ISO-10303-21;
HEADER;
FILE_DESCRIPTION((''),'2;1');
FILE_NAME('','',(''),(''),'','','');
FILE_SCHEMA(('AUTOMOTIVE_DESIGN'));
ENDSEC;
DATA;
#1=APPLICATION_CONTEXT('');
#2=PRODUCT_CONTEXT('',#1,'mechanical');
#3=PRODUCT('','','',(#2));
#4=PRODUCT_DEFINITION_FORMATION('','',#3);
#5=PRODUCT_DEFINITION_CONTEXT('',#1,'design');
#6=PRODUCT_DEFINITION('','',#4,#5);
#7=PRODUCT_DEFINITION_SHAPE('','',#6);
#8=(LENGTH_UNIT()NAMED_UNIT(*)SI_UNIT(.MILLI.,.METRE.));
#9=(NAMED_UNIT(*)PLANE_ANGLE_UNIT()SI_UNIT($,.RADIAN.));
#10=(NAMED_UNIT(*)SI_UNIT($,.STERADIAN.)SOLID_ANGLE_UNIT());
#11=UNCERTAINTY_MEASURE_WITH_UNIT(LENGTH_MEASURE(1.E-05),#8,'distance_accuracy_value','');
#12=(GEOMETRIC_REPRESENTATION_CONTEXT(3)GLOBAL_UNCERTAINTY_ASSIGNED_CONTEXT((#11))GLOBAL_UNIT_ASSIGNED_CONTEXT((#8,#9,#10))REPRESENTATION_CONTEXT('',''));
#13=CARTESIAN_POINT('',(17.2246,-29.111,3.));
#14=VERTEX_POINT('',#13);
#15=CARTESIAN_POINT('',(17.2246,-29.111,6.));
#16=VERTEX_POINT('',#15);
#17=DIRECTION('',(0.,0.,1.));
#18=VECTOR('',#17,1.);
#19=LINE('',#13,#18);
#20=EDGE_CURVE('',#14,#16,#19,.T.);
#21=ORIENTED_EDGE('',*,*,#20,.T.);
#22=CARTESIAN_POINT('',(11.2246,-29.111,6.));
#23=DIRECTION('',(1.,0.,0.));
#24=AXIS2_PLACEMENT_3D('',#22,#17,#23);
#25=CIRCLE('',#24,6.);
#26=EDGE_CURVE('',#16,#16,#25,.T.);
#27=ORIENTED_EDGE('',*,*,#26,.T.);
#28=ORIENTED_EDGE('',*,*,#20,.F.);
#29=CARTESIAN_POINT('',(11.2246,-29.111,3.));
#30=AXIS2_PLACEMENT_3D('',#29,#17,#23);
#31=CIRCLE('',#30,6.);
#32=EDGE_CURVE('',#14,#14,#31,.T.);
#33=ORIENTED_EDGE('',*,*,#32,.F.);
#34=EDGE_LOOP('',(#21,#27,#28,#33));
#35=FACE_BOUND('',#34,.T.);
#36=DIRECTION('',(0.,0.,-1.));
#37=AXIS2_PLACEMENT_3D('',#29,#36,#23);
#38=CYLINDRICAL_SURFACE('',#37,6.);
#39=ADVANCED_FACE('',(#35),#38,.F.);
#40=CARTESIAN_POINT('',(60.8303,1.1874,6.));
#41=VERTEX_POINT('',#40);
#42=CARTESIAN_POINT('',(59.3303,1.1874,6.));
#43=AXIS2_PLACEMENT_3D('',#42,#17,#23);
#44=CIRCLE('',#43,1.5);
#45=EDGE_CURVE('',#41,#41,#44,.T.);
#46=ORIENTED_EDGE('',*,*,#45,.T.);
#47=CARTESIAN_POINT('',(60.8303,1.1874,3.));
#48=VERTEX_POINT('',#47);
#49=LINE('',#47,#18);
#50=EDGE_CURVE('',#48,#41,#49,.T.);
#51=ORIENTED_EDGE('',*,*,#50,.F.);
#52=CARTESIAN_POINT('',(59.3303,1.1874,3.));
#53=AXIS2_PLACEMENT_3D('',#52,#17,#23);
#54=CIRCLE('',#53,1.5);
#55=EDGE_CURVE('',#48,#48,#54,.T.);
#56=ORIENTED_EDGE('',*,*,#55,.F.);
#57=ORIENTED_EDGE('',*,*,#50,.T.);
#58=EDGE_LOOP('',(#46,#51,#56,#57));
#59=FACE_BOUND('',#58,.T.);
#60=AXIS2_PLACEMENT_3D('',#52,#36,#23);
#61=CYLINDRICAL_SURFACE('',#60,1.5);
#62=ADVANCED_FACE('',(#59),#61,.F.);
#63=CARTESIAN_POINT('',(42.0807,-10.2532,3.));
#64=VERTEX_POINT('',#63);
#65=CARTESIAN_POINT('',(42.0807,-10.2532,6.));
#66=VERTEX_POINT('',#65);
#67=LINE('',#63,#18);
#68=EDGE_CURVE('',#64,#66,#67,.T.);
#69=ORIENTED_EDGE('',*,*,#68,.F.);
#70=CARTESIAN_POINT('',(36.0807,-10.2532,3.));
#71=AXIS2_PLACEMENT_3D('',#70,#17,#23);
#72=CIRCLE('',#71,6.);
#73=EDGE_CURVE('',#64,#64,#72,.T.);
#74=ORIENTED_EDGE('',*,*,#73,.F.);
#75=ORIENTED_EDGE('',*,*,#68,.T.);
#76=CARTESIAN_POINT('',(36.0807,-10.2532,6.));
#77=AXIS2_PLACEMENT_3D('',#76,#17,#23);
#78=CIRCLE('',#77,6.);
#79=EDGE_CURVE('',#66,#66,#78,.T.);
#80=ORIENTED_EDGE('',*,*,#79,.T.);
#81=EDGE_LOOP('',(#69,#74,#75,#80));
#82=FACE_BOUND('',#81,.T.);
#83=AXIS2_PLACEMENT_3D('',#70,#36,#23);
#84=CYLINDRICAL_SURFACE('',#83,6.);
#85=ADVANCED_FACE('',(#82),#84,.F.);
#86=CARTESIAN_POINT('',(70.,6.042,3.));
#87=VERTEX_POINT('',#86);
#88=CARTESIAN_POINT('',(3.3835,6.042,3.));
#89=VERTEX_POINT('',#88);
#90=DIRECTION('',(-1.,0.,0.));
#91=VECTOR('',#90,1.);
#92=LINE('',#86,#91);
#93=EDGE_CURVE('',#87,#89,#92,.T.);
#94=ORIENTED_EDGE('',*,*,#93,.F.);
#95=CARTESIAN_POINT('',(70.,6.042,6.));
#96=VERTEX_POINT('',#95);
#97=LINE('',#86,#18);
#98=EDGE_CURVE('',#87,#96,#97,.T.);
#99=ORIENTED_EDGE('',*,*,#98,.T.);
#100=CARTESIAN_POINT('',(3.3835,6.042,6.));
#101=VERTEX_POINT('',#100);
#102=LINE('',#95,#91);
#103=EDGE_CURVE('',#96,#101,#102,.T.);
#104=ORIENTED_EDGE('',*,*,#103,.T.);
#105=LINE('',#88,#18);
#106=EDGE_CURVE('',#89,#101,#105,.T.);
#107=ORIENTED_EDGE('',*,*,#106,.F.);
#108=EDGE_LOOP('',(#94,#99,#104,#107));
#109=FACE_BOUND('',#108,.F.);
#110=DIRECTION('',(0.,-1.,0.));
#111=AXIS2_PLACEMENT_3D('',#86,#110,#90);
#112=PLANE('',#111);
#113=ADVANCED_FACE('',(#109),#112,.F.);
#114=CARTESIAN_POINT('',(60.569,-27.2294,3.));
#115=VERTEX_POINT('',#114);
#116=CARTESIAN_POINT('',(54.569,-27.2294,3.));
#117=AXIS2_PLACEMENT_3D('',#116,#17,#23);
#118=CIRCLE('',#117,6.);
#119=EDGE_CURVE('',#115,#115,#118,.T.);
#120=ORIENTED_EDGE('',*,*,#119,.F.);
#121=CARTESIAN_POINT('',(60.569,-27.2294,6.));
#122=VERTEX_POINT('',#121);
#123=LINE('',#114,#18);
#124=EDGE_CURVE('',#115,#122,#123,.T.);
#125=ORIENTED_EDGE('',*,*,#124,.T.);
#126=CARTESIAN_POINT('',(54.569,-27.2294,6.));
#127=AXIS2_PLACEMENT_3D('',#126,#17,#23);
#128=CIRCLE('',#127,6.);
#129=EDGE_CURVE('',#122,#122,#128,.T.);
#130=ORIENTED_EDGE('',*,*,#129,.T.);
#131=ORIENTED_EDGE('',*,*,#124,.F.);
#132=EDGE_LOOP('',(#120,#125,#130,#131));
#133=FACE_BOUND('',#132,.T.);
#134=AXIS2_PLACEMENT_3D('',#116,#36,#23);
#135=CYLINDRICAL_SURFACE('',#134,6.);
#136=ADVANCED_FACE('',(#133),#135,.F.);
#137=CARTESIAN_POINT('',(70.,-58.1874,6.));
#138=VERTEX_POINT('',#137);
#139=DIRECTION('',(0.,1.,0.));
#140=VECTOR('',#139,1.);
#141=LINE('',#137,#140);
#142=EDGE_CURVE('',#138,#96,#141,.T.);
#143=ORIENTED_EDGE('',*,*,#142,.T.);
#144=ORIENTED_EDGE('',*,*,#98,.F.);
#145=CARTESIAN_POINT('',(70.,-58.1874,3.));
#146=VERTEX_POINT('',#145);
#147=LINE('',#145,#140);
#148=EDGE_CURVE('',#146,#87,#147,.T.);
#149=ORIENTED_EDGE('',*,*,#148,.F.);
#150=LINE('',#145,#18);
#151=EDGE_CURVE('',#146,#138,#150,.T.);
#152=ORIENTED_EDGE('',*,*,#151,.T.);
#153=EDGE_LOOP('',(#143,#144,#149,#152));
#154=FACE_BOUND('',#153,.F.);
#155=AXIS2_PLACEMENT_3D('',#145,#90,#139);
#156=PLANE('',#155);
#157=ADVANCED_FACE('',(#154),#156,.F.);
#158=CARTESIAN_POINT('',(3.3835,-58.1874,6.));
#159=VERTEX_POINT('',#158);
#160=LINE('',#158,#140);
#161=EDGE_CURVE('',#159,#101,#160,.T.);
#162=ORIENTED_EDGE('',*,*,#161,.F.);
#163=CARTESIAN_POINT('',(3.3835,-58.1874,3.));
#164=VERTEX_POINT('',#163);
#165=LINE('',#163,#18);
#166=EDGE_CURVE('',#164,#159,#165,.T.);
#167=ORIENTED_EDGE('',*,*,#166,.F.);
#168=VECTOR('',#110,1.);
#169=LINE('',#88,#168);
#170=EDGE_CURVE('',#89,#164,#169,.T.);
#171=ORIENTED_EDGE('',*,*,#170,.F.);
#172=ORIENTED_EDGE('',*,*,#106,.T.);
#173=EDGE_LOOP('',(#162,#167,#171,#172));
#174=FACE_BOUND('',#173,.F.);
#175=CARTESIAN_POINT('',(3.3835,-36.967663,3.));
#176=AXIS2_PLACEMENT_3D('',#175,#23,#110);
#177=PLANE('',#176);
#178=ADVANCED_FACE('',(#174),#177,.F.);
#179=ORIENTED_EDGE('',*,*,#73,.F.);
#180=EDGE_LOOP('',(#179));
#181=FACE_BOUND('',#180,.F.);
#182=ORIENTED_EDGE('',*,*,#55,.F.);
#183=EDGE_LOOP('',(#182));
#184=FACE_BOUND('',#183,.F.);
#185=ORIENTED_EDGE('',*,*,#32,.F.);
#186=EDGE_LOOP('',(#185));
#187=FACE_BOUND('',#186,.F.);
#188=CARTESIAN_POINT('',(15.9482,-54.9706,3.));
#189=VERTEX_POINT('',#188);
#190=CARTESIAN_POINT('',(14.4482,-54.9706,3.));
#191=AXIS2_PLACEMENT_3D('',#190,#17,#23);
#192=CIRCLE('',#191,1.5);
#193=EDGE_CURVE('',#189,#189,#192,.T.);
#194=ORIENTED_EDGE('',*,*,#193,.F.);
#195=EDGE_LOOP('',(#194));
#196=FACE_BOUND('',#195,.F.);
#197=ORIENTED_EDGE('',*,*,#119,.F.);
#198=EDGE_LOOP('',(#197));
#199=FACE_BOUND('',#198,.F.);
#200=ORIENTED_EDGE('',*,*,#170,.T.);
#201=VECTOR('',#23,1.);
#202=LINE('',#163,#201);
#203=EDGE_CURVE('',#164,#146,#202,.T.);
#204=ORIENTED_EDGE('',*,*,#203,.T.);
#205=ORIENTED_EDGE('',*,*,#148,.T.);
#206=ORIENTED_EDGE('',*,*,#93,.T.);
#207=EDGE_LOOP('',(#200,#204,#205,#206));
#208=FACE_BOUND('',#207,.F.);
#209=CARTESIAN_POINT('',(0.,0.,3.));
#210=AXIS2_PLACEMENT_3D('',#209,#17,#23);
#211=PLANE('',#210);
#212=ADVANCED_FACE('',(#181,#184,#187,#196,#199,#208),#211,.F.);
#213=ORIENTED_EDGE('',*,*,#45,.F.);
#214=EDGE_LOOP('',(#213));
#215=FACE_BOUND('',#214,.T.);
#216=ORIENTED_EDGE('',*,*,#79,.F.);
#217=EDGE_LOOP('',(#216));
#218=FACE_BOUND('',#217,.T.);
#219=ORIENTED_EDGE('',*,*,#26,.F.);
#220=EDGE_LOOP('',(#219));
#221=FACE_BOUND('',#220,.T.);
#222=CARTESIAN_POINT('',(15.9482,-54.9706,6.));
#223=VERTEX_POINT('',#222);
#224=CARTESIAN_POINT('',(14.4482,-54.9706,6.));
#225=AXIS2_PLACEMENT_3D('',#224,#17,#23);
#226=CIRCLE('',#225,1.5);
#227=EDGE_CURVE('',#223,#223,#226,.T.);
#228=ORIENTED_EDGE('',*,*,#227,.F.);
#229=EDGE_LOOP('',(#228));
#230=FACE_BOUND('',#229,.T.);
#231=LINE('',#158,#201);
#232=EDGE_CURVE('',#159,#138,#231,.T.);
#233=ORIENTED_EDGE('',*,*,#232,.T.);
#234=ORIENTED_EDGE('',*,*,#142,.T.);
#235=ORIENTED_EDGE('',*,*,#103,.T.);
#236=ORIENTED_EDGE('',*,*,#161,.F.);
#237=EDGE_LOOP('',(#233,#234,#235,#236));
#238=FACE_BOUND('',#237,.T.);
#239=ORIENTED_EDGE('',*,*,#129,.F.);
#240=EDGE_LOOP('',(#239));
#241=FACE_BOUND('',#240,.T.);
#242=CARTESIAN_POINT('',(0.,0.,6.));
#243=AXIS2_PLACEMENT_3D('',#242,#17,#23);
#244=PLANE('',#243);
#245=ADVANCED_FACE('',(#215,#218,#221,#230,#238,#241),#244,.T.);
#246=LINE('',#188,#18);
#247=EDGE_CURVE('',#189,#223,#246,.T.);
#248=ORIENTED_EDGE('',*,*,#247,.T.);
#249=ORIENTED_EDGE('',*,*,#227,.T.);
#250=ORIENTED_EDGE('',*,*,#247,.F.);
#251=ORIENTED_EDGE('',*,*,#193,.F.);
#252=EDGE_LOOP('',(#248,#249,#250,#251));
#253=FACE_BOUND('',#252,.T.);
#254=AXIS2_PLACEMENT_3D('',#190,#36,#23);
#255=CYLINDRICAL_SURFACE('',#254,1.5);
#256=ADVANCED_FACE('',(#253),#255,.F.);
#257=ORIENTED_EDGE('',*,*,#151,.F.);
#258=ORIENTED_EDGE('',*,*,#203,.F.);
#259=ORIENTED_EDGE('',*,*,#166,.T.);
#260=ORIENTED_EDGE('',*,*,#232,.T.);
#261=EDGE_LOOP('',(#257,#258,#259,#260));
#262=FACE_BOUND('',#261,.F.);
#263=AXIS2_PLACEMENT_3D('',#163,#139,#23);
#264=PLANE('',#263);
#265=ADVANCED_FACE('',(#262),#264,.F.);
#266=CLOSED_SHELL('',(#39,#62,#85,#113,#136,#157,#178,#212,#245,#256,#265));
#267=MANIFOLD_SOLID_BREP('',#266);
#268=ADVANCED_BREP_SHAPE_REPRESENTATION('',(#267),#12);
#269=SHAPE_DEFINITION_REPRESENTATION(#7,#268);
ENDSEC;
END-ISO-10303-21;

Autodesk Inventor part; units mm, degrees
ref_plane "YZ Plane" through (0, 0, 0) normal (1, 0, 0) x (0, 1, 0)
sketch "ギア線図" plane through (0, 0, 0) normal (0, 0, 1) x (1, 0, 0)
  circle A0 centre (11.2246, -29.111) radius 11.1
  circle A1 centre (54.569, -27.2294) radius 20.05
  circle A2 centre (54.569, -27.2294) radius 4.55
  circle A3 centre (36.0807, -10.2532) radius 11.1
  circle A4 centre (39.569, -43.72) radius 2.05
  circle A5 centre (69.569, -43.72) radius 2.05
  circle A6 centre (72.4026, -13.8541) radius 2.05
  circle A7 centre (39.569, -43.72) radius 15
  circle A8 centre (69.569, -43.72) radius 15
  circle A9 centre (72.4026, -13.8541) radius 15
  circle A10 centre (54.569, -27.2294) radius 5.5 construction
  circle A11 centre (11.2246, -29.111) radius 13 construction
  circle A12 centre (54.569, -27.2294) radius 20.5 construction
  circle A13 centre (36.0807, -10.2532) radius 20.55
  circle A14 centre (36.0807, -10.2532) radius 21.5 construction
  circle A15 centre (36.0807, -10.2532) radius 13 construction
  circle A16 centre (39.569, -43.72) radius 2.5 construction
  circle A17 centre (69.569, -43.72) radius 2.5 construction
  circle A18 centre (72.4026, -13.8541) radius 2.5 construction
  circle A19 centre (11.2246, -29.111) radius 20.1
  circle A20 centre (11.2246, -29.111) radius 22 construction
  line L0 (39.569, -43.72) -> (69.569, -43.72)
  circle A21 centre (0, 0) radius 20.1
  circle A22 centre (0, 0) radius 22 construction
  circle A23 centre (39.569, -43.72) radius 9.5 construction
  circle A24 centre (69.569, -43.72) radius 9.5 construction
  circle A25 centre (72.4026, -13.8541) radius 9.5 construction
  line L1 (54.569, -27.2294) -> (39.569, -43.72)
  line L2 (39.569, -43.72) -> (33.651, -38.3369)
  circle A26 centre (33.651, -38.3369) radius 2.25
  point P0 (58.2233, -20.0465)
  point P1 (42.0436, -35)
  point P2 (21.5995, 15.2696)
  point P3 (38.2329, 5.9161)
  point P4 (24.1755, 8.4229)
  point P5 (21.6039, 15.1272)
  point P6 (23.3458, 16.3469)
  point P7 (23.3177, 16.3886)
  dimension "d7" = 22.2
  dimension "d8" = 40.1
  dimension "d9" = 9.1
  dimension "d11" = 22.2
  dimension "d12" = 4.1
  dimension "d13" = 4.1
  dimension "d14" = 4.1
  dimension "d15" = 30
  dimension "d16" = 30
  dimension "d17" = 30
  dimension "d18" = 11
  dimension "d21" = 26
  dimension "d29" = 41
  dimension "d39" = 22.2921
  dimension "d40" = 22.2921
  dimension "d41" = 22.2921
  dimension "d43" = 41.1
  dimension "d44" = 43
  dimension "d45" = 26
  dimension "d46" = 5
  dimension "d47" = 5
  dimension "d48" = 5
  dimension "d49" = 40.2
  dimension "d50" = 44
  dimension "d53" = 40.2
  dimension "d55" = 44
  dimension "d58" = 19
  dimension "d59" = 19
  dimension "d60" = 19
  dimension "d90" = 8
  dimension "d91" = 4.5
ref_plane "作業平面4" through (0, 0, 3) normal (0, 0, 1) x (1, 0, 0)
sketch "スケッチ5" plane through (0, 0, 3) normal (0, 0, 1) x (1, 0, 0)
  circle A0 centre (10.6068, -54.0855) radius 1.5 projected
  circle A1 centre (23.1948, 12.8161) radius 1.5 projected
  circle A2 centre (59.3303, 1.1874) radius 1.5 projected
  circle A3 centre (54.3074, -26.8895) radius 5 projected
  circle A4 centre (35.8191, -9.9133) radius 5 projected
  point P0 (0, 0)
ref_plane "作業平面1" through (0, 0, 3) normal (0, 0, 1) x (1, 0, 0)
sketch "スケッチ6" plane through (0, 0, 3) normal (0, 0, 1) x (1, 0, 0)
  circle A0 centre (59.3303, 1.1874) radius 1.5 projected
  line L0 (3.3835, -58.1874) -> (70, -58.1874)
  line L1 (70, -58.1874) -> (70, 6.042)
  line L2 (70, 6.042) -> (3.3835, 6.042)
  line L3 (3.3835, 6.042) -> (3.3835, -58.1874)
  circle A1 centre (11.2246, -29.111) radius 11.1 projected
  circle A2 centre (36.0807, -10.2532) radius 11.1 projected
  circle A3 centre (54.569, -27.2294) radius 4.55 projected
  circle A4 centre (11.2246, -29.111) radius 6
  circle A5 centre (36.0807, -10.2532) radius 6
  circle A6 centre (54.569, -27.2294) radius 6
  circle A7 centre (14.4482, -54.9706) radius 1.5
  circle A8 centre (23.1948, 12.8161) radius 1.5
  circle A9 centre (59.3303, 1.1874) radius 1.5
  circle A10 centre (54.3074, -26.8895) radius 5
  circle A11 centre (35.8191, -9.9133) radius 5
  point P0 (0, 0)
  point P1 (0, 0)
  dimension "d85" = 12
  dimension "d86" = 12
  dimension "d87" = 12
extrude "押し出し3" add sketch "スケッチ6" along normal blind 3 contours L3 A1 L2 L1 L0 | L3 A1 | A2 picked at (3.9972, -29.111)
equation "\"d40\" = d39"
equation "\"d41\" = d40"
properties part number "アームフレーム改" material "アルミニウム 2014-T4"
